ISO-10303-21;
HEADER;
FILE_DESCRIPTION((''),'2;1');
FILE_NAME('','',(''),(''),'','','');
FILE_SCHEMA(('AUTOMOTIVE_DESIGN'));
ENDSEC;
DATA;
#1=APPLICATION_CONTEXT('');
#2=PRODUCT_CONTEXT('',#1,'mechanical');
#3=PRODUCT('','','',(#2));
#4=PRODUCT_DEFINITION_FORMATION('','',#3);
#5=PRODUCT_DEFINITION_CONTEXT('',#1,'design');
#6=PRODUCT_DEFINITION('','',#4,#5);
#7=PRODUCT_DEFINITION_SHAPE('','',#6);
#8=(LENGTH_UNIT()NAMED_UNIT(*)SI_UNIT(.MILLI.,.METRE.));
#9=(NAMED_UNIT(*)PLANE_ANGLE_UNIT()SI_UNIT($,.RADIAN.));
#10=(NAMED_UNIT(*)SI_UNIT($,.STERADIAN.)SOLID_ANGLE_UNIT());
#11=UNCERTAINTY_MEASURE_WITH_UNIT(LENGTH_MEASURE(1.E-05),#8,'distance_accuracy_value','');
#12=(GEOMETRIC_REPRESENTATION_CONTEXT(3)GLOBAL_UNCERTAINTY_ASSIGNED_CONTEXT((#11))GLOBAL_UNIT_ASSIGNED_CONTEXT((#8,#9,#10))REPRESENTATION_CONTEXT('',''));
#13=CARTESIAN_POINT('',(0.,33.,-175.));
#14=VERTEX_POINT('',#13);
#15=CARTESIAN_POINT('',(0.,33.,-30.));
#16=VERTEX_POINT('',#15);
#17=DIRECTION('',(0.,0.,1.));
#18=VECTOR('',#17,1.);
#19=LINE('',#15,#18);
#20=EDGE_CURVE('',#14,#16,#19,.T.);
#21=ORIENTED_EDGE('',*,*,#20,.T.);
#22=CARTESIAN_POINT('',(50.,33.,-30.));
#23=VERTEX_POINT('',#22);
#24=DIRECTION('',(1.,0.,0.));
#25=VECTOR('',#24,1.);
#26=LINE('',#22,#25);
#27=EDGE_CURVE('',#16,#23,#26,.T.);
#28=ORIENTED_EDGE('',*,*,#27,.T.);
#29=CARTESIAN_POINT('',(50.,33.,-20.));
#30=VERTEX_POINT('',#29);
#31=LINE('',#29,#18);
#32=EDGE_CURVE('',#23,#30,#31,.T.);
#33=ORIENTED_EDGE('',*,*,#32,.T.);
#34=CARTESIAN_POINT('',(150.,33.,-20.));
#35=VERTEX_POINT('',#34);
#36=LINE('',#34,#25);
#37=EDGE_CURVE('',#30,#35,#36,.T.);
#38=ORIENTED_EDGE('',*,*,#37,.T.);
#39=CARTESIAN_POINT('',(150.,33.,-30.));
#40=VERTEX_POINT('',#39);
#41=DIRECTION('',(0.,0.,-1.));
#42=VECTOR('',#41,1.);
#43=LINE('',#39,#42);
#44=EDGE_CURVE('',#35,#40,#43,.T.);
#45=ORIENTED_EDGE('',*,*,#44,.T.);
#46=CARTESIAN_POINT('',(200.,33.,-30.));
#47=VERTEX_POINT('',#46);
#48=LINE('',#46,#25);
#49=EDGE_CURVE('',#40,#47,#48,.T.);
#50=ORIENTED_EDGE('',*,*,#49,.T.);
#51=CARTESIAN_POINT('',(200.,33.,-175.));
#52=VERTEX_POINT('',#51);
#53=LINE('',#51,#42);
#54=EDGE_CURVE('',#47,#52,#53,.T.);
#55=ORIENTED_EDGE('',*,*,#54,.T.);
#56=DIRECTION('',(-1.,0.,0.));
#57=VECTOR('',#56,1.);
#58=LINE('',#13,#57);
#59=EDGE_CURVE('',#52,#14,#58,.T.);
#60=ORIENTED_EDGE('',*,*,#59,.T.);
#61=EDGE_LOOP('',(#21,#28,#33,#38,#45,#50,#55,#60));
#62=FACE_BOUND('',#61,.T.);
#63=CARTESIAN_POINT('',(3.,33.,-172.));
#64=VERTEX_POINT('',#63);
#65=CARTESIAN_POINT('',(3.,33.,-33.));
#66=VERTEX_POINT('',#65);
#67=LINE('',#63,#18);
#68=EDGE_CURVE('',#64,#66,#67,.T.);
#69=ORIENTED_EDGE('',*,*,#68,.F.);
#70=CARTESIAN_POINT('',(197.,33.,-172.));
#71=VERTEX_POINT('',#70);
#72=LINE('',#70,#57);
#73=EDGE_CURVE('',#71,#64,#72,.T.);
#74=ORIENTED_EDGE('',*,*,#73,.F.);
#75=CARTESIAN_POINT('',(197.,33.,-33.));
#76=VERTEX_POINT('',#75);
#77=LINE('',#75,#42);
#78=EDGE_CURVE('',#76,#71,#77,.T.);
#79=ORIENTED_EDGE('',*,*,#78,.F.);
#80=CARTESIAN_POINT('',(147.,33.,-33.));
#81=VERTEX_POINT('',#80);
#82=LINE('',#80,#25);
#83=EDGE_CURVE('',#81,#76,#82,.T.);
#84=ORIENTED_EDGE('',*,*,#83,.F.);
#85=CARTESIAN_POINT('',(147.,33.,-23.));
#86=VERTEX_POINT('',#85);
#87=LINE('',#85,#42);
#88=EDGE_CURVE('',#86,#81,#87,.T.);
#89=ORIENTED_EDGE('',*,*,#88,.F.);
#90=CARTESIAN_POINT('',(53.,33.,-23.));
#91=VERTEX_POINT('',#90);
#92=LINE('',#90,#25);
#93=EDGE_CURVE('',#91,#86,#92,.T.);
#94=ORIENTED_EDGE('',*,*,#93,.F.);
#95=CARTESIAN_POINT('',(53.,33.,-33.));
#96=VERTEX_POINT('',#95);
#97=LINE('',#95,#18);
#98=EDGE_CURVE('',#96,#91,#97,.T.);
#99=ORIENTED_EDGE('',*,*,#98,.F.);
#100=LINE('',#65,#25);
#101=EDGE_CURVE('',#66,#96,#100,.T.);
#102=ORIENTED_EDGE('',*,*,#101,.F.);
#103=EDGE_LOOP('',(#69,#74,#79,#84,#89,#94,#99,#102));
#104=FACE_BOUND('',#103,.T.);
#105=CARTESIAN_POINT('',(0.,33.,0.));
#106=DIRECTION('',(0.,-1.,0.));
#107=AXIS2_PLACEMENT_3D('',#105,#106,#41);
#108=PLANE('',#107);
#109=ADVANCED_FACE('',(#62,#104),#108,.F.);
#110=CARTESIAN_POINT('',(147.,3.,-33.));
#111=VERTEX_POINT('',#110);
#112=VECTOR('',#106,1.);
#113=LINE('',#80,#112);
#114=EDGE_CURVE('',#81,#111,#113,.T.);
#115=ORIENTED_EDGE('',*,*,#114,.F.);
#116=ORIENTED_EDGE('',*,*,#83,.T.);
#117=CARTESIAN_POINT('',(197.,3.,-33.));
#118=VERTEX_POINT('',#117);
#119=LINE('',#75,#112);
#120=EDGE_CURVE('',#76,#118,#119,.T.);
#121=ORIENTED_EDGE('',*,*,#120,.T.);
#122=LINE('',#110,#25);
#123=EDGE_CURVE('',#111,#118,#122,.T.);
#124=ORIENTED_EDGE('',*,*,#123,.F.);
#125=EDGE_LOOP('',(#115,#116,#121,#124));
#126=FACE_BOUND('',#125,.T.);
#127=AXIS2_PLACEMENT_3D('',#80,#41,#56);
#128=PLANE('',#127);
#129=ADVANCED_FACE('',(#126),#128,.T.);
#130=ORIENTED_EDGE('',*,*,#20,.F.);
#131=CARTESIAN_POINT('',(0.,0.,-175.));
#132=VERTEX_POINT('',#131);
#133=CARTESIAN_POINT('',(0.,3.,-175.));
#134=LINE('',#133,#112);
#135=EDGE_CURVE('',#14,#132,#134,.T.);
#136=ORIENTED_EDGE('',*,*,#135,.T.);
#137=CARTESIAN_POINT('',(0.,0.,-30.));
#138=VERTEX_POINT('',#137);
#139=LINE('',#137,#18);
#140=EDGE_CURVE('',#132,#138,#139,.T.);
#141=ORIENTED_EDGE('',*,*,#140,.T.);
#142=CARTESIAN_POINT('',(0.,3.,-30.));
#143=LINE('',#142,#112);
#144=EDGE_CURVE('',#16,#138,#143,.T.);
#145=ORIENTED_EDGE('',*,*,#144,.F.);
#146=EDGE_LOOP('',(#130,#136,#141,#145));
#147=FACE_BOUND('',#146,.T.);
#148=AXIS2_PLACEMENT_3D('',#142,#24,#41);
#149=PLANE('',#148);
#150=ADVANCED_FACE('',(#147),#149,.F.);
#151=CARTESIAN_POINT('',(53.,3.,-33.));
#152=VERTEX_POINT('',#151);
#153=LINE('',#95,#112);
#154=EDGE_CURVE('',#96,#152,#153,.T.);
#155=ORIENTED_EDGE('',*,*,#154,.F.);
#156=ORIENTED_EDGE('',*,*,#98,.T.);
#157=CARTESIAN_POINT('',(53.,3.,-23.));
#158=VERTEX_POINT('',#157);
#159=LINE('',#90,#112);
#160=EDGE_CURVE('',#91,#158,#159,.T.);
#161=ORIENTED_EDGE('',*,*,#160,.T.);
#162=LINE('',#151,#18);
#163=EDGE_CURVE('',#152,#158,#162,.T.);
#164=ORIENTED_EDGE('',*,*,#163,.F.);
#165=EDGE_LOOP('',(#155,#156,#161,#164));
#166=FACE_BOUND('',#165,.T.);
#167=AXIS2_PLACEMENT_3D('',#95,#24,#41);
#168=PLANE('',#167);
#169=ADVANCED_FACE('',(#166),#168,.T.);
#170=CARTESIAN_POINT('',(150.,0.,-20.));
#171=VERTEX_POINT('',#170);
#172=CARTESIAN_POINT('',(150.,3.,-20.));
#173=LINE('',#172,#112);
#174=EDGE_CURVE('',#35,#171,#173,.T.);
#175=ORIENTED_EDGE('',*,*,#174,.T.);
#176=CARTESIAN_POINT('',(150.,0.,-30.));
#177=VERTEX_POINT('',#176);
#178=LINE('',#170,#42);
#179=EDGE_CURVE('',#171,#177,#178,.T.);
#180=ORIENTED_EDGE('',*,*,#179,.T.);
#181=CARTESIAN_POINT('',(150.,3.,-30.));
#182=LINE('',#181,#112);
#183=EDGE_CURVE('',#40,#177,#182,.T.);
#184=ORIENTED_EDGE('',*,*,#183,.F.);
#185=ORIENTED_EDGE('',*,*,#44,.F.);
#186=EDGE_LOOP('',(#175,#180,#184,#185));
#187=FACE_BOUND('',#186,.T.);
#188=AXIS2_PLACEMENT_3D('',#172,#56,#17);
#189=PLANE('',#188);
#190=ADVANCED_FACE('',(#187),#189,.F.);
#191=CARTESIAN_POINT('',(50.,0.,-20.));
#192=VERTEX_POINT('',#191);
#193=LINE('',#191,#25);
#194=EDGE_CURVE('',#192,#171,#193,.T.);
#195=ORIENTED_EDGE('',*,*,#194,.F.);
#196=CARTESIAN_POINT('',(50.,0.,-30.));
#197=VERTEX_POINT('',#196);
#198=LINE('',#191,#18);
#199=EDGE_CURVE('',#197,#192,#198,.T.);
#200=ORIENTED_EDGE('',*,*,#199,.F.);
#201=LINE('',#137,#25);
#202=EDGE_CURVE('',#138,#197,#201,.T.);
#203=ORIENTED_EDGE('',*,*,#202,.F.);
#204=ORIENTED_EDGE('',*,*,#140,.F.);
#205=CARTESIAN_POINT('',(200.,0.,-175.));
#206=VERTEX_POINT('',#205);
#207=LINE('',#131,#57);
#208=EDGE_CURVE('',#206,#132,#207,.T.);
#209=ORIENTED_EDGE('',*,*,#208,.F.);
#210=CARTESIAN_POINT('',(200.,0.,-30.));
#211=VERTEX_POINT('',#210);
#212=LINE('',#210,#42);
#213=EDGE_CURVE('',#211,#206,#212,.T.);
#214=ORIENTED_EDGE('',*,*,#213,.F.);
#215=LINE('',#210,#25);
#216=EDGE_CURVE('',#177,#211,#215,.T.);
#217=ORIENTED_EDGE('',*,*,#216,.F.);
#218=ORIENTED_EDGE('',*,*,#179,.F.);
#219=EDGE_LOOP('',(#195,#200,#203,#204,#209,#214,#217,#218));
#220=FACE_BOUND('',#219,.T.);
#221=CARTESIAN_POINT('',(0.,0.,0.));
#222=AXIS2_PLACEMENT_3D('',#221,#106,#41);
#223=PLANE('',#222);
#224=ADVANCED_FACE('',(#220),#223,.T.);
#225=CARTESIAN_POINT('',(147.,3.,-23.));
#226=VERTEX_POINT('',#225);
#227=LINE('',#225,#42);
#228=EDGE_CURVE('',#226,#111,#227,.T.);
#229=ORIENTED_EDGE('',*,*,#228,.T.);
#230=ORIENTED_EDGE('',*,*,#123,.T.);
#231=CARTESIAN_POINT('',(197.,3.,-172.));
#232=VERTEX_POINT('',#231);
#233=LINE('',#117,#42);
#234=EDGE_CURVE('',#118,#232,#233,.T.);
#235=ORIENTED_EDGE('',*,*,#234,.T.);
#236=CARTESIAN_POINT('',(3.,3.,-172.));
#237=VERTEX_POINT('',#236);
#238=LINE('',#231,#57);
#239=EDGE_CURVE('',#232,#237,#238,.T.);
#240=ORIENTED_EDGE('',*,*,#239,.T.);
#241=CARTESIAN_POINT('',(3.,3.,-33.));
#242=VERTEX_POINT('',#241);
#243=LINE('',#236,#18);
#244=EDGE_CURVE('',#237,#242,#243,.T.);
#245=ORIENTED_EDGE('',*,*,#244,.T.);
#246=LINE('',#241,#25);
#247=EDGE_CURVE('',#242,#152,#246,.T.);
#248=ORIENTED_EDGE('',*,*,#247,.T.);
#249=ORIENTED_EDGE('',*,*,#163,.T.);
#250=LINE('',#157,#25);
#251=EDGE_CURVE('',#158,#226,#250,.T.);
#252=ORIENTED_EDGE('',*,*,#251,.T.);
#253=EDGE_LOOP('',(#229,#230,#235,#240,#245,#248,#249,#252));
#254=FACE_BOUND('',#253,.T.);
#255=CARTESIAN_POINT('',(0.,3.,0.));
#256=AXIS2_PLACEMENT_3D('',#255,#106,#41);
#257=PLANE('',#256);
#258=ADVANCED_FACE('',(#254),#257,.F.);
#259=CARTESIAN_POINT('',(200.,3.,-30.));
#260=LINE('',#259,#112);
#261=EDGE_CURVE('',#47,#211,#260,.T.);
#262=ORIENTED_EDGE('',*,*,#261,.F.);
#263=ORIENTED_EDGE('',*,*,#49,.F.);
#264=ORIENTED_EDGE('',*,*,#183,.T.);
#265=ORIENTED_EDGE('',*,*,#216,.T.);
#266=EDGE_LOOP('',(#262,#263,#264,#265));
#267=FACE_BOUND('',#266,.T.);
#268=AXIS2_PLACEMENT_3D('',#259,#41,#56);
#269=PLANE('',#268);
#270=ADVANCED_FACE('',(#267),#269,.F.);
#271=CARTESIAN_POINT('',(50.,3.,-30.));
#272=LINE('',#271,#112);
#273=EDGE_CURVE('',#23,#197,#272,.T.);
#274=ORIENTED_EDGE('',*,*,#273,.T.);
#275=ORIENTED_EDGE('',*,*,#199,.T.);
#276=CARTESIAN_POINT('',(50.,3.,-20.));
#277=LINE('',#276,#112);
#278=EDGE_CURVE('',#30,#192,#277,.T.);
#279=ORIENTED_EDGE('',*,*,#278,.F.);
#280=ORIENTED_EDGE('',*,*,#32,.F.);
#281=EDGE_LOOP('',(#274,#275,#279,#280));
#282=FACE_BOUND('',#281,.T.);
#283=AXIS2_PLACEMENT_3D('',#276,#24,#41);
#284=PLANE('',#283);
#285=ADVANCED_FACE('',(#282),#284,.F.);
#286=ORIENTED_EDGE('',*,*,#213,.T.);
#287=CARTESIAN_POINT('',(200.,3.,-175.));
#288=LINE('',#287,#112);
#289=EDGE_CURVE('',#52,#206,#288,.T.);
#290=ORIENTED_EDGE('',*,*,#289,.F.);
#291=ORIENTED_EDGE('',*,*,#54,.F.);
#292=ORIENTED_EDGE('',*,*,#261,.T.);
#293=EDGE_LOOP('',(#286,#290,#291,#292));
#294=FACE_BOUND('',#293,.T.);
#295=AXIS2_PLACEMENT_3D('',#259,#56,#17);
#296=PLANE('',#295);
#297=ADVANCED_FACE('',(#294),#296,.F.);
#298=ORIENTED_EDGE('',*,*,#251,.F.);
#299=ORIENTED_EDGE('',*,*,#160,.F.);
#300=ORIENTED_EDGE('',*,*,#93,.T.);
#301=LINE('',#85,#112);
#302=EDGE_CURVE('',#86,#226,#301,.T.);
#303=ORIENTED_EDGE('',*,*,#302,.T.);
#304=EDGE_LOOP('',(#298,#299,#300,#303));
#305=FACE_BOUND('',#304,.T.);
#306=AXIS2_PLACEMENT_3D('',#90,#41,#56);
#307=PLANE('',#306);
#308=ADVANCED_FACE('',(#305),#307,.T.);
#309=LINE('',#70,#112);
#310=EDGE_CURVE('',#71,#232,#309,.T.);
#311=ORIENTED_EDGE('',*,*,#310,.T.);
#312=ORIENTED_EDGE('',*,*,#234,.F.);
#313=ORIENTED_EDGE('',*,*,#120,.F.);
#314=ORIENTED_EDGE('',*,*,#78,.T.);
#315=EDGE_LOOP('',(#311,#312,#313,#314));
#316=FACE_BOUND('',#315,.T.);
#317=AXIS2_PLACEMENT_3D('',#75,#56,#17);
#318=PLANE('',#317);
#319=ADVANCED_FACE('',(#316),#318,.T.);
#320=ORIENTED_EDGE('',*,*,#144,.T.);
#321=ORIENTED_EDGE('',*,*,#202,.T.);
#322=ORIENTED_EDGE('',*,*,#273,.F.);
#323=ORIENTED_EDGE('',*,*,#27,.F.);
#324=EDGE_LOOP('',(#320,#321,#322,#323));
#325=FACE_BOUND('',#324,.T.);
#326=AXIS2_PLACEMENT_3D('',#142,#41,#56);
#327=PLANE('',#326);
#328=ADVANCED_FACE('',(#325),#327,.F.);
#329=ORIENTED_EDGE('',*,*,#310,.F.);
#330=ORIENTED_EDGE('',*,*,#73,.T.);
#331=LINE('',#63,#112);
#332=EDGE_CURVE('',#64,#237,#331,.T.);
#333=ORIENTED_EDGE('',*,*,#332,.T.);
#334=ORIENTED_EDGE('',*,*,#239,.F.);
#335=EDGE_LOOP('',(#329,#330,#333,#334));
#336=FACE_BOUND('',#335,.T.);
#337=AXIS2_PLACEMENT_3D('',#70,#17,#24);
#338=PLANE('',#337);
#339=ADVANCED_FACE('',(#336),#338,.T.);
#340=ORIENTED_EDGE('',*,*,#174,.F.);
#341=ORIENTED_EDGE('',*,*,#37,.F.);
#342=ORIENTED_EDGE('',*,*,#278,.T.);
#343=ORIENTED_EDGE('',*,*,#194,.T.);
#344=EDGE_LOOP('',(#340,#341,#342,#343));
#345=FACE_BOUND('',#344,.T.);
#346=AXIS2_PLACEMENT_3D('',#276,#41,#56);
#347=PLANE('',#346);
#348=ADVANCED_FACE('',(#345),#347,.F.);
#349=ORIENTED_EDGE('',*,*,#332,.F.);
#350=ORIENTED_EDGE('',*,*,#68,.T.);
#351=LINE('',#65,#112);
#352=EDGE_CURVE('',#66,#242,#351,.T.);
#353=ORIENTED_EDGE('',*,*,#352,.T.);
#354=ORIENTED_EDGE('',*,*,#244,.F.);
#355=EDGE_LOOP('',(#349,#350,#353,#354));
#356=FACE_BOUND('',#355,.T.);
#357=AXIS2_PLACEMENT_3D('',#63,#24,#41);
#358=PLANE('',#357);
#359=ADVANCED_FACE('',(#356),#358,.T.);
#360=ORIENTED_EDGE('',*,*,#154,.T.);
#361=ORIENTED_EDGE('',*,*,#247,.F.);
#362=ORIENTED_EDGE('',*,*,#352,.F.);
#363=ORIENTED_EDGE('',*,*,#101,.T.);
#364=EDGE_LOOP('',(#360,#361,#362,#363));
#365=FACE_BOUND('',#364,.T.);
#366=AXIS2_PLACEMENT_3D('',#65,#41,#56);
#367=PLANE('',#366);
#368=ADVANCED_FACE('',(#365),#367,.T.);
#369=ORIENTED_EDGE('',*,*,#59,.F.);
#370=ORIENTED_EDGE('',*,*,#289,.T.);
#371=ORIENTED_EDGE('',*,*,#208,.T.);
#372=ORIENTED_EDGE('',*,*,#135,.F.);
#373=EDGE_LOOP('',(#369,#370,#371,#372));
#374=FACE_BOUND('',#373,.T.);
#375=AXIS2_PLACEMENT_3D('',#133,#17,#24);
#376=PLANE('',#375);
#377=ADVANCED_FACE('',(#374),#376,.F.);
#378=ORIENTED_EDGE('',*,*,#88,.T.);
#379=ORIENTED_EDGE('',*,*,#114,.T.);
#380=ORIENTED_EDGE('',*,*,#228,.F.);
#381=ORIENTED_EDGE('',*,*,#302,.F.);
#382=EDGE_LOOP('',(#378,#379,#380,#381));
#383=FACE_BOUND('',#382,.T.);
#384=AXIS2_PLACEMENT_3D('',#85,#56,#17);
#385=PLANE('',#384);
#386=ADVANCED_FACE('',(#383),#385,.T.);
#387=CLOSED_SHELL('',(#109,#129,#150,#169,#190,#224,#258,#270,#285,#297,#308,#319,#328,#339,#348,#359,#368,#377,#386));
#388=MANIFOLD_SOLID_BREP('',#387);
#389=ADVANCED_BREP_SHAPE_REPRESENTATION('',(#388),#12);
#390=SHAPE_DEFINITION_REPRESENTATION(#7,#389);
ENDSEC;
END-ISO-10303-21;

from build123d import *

# Parameters (mm, degrees)
SALIENTE_EXTRUIR1_DEPTH = 3
SALIENTE_EXTRUIR2_DEPTH = 30


with BuildPart() as part:
    # Croquis1 → Saliente-Extruir1 (new body)
    with BuildSketch(Plane(origin=(0, 0, 0), x_dir=(1, 0, 0), z_dir=(0, 1, 0))):
        Polygon((50, 20), (150, 20), (150, 30), (200, 30), (200, 175), (0, 175), (0, 30), (50, 30), align=None)
    extrude(amount=SALIENTE_EXTRUIR1_DEPTH)

    # Croquis2 → Saliente-Extruir2 (add)
    with BuildSketch(Plane(origin=(0, 3, 0), x_dir=(1, 0, 0), z_dir=(0, 1, 0))):
        Polygon((0, 175), (200, 175), (200, 30), (150, 30), (150, 20), (50, 20), (50, 30), (0, 30), align=None)
        Polygon((197, 33), (197, 172), (3, 172), (3, 33), (53, 33), (53, 23), (147, 23), (147, 33), align=None, mode=Mode.SUBTRACT)
    extrude(amount=SALIENTE_EXTRUIR2_DEPTH)


solid = part.part
